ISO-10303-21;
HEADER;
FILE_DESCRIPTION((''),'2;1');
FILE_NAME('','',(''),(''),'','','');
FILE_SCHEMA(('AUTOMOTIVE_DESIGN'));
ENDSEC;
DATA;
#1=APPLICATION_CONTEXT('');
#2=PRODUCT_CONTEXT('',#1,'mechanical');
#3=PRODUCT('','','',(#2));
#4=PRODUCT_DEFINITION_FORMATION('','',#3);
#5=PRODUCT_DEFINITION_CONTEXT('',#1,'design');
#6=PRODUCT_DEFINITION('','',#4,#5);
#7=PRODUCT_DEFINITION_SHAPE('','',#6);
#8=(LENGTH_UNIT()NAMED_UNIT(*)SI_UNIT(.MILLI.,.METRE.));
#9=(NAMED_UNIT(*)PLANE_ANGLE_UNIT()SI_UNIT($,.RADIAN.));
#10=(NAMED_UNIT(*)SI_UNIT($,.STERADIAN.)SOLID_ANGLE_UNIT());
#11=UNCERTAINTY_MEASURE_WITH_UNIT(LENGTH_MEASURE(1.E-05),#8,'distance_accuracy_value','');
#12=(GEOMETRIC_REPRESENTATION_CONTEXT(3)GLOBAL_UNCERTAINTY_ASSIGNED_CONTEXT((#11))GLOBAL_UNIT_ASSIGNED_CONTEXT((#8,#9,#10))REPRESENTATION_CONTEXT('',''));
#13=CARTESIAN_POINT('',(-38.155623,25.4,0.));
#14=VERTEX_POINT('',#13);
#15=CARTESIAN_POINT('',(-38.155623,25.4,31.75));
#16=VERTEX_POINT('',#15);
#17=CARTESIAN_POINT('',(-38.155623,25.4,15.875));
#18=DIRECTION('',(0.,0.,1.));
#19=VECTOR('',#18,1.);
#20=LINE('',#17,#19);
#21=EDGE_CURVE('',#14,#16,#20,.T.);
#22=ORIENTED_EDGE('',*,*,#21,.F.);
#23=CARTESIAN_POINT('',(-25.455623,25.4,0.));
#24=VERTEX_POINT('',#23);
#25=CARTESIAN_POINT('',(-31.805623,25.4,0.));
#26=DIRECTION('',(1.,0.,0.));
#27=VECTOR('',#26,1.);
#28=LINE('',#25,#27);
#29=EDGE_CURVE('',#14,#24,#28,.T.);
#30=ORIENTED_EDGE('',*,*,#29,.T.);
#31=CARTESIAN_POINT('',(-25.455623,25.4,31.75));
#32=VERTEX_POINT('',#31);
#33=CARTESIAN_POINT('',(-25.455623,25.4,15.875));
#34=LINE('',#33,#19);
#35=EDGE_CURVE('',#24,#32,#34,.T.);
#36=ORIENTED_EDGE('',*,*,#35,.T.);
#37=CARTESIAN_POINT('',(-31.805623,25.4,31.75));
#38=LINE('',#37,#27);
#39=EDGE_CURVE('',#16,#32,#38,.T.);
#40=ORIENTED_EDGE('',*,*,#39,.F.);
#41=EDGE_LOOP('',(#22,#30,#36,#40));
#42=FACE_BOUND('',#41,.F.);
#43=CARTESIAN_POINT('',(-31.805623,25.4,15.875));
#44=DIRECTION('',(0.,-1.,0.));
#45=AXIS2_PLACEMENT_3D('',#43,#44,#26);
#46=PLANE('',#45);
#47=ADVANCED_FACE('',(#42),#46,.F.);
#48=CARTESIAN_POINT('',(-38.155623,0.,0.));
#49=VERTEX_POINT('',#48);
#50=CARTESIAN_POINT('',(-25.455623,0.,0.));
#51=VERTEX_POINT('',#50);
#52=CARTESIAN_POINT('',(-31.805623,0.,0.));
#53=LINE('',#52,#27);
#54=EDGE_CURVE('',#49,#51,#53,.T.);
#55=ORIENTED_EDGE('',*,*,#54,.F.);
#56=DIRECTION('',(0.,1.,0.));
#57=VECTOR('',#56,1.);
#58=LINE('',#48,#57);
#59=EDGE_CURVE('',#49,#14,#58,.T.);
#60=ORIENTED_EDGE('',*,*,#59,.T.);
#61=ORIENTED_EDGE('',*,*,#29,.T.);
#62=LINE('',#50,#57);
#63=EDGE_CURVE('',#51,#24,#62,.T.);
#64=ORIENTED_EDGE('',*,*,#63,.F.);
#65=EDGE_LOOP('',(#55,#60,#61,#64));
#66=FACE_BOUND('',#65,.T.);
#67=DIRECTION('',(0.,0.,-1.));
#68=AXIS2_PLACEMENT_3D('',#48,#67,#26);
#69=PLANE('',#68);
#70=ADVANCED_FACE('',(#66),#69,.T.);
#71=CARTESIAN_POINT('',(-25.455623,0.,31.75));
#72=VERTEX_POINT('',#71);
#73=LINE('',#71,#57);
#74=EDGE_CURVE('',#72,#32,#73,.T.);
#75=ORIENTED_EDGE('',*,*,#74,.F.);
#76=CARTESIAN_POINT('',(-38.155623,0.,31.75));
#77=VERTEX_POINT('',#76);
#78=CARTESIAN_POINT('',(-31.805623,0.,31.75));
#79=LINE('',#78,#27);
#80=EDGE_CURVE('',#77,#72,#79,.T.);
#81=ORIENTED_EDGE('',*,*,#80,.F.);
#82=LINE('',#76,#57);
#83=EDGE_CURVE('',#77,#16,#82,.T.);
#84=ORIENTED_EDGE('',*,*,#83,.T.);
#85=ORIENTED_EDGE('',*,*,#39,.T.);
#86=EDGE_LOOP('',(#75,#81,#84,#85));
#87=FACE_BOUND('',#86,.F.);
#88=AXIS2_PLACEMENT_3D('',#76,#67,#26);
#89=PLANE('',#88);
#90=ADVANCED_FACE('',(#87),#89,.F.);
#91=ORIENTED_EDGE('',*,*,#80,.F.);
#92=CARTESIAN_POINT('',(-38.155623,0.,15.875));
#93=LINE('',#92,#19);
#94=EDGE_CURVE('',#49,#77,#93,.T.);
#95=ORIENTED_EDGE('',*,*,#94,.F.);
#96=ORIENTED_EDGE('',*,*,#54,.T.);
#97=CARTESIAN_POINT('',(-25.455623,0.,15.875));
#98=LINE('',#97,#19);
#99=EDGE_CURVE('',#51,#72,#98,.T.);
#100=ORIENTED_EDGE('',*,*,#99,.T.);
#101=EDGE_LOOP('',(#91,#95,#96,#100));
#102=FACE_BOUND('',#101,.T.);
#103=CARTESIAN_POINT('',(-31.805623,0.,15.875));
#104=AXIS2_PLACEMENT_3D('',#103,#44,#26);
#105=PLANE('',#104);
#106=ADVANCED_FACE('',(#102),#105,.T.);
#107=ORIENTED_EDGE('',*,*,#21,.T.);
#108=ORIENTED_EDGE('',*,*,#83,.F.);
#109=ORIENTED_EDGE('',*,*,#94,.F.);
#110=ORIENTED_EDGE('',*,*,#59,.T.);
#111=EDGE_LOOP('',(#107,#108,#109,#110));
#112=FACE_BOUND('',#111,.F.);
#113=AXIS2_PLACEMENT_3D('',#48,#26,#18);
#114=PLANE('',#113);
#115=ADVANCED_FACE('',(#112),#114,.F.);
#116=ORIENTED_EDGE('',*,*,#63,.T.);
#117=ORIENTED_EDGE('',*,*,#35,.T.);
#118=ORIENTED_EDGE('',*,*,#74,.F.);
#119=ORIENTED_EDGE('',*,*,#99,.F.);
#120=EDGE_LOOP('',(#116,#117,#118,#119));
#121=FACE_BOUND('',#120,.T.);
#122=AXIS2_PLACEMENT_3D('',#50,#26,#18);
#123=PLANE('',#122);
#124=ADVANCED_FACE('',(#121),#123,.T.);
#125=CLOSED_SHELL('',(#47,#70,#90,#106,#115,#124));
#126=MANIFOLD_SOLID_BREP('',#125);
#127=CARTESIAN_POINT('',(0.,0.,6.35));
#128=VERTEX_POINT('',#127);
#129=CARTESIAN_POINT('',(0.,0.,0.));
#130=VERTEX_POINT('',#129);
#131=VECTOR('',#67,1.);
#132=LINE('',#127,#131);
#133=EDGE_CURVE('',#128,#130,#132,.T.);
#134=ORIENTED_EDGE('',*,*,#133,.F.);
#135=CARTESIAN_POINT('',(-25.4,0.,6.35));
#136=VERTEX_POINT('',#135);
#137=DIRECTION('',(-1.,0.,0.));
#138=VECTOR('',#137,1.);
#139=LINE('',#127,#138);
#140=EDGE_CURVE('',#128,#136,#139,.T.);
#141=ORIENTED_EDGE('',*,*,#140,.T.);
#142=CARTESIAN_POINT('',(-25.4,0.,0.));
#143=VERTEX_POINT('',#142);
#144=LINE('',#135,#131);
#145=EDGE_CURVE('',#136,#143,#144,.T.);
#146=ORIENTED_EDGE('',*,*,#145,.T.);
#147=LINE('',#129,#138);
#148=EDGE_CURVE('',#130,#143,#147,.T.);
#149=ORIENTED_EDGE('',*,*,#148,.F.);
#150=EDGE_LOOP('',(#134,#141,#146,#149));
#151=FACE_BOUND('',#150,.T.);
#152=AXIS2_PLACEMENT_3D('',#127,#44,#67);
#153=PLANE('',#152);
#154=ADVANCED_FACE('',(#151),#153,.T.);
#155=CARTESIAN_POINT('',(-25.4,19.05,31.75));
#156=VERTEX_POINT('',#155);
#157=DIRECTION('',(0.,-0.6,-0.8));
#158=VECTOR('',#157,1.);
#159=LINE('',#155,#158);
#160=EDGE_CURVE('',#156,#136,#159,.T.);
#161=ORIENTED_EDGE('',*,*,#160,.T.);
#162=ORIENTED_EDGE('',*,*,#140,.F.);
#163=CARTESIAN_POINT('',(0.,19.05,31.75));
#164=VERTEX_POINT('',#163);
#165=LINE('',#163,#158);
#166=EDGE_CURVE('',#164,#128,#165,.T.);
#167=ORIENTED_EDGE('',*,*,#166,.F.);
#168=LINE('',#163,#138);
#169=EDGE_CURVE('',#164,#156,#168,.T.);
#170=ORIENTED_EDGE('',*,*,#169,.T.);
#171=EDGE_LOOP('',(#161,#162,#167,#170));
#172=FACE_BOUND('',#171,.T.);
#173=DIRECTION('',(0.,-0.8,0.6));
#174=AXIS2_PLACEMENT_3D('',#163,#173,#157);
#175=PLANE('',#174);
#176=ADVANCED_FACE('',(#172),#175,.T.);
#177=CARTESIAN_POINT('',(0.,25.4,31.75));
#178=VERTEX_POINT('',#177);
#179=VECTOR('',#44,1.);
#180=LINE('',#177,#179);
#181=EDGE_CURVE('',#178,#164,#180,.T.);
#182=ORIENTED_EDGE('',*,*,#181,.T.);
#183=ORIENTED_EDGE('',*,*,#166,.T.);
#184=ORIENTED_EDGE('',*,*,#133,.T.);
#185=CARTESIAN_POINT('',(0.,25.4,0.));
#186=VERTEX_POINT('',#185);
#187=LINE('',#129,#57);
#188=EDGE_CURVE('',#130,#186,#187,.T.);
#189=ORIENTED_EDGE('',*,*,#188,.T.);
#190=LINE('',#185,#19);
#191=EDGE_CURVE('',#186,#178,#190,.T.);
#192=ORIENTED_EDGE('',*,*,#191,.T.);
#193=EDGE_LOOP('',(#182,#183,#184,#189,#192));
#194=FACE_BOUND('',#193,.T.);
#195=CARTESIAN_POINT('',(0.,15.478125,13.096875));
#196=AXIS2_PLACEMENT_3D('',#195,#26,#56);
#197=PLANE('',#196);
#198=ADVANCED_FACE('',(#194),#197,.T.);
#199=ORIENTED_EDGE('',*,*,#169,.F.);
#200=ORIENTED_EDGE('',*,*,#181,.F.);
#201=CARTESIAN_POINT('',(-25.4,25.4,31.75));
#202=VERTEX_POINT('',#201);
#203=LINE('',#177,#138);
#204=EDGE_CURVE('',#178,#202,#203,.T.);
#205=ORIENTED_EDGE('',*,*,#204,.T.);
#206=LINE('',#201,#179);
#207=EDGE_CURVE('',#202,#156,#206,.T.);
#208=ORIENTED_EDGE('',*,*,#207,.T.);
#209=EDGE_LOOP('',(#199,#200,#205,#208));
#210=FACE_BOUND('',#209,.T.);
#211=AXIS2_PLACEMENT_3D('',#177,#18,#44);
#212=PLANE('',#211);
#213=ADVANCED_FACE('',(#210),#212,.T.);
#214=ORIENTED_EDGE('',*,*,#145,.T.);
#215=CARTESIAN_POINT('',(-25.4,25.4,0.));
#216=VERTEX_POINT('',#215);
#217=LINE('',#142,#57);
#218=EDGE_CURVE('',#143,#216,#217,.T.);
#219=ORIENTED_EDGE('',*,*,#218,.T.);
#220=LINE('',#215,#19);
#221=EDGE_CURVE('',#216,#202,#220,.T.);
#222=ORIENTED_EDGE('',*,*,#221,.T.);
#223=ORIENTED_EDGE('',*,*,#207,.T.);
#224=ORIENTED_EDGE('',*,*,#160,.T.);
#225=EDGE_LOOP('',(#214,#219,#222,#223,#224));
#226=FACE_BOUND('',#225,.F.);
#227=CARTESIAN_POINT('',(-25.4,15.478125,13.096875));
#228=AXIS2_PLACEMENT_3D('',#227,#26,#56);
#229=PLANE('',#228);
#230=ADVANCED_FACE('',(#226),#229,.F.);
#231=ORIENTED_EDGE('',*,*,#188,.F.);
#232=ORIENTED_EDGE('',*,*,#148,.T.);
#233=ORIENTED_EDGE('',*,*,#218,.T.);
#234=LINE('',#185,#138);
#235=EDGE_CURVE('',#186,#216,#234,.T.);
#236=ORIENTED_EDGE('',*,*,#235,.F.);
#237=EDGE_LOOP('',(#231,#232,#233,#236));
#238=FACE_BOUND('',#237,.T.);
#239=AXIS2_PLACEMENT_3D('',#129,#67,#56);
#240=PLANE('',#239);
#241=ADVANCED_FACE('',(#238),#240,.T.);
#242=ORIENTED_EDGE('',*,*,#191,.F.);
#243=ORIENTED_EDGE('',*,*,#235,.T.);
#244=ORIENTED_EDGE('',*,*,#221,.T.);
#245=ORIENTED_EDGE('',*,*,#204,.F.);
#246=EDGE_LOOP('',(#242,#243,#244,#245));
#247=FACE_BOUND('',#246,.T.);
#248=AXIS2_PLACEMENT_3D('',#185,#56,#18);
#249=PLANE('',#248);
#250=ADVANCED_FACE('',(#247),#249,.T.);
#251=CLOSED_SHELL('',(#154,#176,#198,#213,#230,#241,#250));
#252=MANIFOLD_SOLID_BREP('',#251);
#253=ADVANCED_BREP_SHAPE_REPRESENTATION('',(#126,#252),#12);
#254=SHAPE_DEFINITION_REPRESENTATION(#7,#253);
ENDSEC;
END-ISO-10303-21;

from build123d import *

# Parameters (mm, degrees)
F1_DEPTH = 25.4
F2_W     = 12.7
F2_H     = 31.75
F3_DEPTH = 25.4


with BuildPart() as f1:
    # F0 (on Right) → F1 (new body)
    with BuildSketch(Plane.YZ):
        Polygon((0, 6.35), (0, 0), (25.4, 0), (25.4, 31.75), (19.05, 31.75), align=None)
    extrude(amount=-F1_DEPTH)


with BuildPart() as f3:
    # F2 (on Front) → F3 (new body)
    with BuildSketch(Plane.XZ):
        with Locations((-31.805623, 15.875)):
            Rectangle(F2_W, F2_H)
    extrude(amount=-F3_DEPTH)


solid = Compound([f1.part, f3.part])
